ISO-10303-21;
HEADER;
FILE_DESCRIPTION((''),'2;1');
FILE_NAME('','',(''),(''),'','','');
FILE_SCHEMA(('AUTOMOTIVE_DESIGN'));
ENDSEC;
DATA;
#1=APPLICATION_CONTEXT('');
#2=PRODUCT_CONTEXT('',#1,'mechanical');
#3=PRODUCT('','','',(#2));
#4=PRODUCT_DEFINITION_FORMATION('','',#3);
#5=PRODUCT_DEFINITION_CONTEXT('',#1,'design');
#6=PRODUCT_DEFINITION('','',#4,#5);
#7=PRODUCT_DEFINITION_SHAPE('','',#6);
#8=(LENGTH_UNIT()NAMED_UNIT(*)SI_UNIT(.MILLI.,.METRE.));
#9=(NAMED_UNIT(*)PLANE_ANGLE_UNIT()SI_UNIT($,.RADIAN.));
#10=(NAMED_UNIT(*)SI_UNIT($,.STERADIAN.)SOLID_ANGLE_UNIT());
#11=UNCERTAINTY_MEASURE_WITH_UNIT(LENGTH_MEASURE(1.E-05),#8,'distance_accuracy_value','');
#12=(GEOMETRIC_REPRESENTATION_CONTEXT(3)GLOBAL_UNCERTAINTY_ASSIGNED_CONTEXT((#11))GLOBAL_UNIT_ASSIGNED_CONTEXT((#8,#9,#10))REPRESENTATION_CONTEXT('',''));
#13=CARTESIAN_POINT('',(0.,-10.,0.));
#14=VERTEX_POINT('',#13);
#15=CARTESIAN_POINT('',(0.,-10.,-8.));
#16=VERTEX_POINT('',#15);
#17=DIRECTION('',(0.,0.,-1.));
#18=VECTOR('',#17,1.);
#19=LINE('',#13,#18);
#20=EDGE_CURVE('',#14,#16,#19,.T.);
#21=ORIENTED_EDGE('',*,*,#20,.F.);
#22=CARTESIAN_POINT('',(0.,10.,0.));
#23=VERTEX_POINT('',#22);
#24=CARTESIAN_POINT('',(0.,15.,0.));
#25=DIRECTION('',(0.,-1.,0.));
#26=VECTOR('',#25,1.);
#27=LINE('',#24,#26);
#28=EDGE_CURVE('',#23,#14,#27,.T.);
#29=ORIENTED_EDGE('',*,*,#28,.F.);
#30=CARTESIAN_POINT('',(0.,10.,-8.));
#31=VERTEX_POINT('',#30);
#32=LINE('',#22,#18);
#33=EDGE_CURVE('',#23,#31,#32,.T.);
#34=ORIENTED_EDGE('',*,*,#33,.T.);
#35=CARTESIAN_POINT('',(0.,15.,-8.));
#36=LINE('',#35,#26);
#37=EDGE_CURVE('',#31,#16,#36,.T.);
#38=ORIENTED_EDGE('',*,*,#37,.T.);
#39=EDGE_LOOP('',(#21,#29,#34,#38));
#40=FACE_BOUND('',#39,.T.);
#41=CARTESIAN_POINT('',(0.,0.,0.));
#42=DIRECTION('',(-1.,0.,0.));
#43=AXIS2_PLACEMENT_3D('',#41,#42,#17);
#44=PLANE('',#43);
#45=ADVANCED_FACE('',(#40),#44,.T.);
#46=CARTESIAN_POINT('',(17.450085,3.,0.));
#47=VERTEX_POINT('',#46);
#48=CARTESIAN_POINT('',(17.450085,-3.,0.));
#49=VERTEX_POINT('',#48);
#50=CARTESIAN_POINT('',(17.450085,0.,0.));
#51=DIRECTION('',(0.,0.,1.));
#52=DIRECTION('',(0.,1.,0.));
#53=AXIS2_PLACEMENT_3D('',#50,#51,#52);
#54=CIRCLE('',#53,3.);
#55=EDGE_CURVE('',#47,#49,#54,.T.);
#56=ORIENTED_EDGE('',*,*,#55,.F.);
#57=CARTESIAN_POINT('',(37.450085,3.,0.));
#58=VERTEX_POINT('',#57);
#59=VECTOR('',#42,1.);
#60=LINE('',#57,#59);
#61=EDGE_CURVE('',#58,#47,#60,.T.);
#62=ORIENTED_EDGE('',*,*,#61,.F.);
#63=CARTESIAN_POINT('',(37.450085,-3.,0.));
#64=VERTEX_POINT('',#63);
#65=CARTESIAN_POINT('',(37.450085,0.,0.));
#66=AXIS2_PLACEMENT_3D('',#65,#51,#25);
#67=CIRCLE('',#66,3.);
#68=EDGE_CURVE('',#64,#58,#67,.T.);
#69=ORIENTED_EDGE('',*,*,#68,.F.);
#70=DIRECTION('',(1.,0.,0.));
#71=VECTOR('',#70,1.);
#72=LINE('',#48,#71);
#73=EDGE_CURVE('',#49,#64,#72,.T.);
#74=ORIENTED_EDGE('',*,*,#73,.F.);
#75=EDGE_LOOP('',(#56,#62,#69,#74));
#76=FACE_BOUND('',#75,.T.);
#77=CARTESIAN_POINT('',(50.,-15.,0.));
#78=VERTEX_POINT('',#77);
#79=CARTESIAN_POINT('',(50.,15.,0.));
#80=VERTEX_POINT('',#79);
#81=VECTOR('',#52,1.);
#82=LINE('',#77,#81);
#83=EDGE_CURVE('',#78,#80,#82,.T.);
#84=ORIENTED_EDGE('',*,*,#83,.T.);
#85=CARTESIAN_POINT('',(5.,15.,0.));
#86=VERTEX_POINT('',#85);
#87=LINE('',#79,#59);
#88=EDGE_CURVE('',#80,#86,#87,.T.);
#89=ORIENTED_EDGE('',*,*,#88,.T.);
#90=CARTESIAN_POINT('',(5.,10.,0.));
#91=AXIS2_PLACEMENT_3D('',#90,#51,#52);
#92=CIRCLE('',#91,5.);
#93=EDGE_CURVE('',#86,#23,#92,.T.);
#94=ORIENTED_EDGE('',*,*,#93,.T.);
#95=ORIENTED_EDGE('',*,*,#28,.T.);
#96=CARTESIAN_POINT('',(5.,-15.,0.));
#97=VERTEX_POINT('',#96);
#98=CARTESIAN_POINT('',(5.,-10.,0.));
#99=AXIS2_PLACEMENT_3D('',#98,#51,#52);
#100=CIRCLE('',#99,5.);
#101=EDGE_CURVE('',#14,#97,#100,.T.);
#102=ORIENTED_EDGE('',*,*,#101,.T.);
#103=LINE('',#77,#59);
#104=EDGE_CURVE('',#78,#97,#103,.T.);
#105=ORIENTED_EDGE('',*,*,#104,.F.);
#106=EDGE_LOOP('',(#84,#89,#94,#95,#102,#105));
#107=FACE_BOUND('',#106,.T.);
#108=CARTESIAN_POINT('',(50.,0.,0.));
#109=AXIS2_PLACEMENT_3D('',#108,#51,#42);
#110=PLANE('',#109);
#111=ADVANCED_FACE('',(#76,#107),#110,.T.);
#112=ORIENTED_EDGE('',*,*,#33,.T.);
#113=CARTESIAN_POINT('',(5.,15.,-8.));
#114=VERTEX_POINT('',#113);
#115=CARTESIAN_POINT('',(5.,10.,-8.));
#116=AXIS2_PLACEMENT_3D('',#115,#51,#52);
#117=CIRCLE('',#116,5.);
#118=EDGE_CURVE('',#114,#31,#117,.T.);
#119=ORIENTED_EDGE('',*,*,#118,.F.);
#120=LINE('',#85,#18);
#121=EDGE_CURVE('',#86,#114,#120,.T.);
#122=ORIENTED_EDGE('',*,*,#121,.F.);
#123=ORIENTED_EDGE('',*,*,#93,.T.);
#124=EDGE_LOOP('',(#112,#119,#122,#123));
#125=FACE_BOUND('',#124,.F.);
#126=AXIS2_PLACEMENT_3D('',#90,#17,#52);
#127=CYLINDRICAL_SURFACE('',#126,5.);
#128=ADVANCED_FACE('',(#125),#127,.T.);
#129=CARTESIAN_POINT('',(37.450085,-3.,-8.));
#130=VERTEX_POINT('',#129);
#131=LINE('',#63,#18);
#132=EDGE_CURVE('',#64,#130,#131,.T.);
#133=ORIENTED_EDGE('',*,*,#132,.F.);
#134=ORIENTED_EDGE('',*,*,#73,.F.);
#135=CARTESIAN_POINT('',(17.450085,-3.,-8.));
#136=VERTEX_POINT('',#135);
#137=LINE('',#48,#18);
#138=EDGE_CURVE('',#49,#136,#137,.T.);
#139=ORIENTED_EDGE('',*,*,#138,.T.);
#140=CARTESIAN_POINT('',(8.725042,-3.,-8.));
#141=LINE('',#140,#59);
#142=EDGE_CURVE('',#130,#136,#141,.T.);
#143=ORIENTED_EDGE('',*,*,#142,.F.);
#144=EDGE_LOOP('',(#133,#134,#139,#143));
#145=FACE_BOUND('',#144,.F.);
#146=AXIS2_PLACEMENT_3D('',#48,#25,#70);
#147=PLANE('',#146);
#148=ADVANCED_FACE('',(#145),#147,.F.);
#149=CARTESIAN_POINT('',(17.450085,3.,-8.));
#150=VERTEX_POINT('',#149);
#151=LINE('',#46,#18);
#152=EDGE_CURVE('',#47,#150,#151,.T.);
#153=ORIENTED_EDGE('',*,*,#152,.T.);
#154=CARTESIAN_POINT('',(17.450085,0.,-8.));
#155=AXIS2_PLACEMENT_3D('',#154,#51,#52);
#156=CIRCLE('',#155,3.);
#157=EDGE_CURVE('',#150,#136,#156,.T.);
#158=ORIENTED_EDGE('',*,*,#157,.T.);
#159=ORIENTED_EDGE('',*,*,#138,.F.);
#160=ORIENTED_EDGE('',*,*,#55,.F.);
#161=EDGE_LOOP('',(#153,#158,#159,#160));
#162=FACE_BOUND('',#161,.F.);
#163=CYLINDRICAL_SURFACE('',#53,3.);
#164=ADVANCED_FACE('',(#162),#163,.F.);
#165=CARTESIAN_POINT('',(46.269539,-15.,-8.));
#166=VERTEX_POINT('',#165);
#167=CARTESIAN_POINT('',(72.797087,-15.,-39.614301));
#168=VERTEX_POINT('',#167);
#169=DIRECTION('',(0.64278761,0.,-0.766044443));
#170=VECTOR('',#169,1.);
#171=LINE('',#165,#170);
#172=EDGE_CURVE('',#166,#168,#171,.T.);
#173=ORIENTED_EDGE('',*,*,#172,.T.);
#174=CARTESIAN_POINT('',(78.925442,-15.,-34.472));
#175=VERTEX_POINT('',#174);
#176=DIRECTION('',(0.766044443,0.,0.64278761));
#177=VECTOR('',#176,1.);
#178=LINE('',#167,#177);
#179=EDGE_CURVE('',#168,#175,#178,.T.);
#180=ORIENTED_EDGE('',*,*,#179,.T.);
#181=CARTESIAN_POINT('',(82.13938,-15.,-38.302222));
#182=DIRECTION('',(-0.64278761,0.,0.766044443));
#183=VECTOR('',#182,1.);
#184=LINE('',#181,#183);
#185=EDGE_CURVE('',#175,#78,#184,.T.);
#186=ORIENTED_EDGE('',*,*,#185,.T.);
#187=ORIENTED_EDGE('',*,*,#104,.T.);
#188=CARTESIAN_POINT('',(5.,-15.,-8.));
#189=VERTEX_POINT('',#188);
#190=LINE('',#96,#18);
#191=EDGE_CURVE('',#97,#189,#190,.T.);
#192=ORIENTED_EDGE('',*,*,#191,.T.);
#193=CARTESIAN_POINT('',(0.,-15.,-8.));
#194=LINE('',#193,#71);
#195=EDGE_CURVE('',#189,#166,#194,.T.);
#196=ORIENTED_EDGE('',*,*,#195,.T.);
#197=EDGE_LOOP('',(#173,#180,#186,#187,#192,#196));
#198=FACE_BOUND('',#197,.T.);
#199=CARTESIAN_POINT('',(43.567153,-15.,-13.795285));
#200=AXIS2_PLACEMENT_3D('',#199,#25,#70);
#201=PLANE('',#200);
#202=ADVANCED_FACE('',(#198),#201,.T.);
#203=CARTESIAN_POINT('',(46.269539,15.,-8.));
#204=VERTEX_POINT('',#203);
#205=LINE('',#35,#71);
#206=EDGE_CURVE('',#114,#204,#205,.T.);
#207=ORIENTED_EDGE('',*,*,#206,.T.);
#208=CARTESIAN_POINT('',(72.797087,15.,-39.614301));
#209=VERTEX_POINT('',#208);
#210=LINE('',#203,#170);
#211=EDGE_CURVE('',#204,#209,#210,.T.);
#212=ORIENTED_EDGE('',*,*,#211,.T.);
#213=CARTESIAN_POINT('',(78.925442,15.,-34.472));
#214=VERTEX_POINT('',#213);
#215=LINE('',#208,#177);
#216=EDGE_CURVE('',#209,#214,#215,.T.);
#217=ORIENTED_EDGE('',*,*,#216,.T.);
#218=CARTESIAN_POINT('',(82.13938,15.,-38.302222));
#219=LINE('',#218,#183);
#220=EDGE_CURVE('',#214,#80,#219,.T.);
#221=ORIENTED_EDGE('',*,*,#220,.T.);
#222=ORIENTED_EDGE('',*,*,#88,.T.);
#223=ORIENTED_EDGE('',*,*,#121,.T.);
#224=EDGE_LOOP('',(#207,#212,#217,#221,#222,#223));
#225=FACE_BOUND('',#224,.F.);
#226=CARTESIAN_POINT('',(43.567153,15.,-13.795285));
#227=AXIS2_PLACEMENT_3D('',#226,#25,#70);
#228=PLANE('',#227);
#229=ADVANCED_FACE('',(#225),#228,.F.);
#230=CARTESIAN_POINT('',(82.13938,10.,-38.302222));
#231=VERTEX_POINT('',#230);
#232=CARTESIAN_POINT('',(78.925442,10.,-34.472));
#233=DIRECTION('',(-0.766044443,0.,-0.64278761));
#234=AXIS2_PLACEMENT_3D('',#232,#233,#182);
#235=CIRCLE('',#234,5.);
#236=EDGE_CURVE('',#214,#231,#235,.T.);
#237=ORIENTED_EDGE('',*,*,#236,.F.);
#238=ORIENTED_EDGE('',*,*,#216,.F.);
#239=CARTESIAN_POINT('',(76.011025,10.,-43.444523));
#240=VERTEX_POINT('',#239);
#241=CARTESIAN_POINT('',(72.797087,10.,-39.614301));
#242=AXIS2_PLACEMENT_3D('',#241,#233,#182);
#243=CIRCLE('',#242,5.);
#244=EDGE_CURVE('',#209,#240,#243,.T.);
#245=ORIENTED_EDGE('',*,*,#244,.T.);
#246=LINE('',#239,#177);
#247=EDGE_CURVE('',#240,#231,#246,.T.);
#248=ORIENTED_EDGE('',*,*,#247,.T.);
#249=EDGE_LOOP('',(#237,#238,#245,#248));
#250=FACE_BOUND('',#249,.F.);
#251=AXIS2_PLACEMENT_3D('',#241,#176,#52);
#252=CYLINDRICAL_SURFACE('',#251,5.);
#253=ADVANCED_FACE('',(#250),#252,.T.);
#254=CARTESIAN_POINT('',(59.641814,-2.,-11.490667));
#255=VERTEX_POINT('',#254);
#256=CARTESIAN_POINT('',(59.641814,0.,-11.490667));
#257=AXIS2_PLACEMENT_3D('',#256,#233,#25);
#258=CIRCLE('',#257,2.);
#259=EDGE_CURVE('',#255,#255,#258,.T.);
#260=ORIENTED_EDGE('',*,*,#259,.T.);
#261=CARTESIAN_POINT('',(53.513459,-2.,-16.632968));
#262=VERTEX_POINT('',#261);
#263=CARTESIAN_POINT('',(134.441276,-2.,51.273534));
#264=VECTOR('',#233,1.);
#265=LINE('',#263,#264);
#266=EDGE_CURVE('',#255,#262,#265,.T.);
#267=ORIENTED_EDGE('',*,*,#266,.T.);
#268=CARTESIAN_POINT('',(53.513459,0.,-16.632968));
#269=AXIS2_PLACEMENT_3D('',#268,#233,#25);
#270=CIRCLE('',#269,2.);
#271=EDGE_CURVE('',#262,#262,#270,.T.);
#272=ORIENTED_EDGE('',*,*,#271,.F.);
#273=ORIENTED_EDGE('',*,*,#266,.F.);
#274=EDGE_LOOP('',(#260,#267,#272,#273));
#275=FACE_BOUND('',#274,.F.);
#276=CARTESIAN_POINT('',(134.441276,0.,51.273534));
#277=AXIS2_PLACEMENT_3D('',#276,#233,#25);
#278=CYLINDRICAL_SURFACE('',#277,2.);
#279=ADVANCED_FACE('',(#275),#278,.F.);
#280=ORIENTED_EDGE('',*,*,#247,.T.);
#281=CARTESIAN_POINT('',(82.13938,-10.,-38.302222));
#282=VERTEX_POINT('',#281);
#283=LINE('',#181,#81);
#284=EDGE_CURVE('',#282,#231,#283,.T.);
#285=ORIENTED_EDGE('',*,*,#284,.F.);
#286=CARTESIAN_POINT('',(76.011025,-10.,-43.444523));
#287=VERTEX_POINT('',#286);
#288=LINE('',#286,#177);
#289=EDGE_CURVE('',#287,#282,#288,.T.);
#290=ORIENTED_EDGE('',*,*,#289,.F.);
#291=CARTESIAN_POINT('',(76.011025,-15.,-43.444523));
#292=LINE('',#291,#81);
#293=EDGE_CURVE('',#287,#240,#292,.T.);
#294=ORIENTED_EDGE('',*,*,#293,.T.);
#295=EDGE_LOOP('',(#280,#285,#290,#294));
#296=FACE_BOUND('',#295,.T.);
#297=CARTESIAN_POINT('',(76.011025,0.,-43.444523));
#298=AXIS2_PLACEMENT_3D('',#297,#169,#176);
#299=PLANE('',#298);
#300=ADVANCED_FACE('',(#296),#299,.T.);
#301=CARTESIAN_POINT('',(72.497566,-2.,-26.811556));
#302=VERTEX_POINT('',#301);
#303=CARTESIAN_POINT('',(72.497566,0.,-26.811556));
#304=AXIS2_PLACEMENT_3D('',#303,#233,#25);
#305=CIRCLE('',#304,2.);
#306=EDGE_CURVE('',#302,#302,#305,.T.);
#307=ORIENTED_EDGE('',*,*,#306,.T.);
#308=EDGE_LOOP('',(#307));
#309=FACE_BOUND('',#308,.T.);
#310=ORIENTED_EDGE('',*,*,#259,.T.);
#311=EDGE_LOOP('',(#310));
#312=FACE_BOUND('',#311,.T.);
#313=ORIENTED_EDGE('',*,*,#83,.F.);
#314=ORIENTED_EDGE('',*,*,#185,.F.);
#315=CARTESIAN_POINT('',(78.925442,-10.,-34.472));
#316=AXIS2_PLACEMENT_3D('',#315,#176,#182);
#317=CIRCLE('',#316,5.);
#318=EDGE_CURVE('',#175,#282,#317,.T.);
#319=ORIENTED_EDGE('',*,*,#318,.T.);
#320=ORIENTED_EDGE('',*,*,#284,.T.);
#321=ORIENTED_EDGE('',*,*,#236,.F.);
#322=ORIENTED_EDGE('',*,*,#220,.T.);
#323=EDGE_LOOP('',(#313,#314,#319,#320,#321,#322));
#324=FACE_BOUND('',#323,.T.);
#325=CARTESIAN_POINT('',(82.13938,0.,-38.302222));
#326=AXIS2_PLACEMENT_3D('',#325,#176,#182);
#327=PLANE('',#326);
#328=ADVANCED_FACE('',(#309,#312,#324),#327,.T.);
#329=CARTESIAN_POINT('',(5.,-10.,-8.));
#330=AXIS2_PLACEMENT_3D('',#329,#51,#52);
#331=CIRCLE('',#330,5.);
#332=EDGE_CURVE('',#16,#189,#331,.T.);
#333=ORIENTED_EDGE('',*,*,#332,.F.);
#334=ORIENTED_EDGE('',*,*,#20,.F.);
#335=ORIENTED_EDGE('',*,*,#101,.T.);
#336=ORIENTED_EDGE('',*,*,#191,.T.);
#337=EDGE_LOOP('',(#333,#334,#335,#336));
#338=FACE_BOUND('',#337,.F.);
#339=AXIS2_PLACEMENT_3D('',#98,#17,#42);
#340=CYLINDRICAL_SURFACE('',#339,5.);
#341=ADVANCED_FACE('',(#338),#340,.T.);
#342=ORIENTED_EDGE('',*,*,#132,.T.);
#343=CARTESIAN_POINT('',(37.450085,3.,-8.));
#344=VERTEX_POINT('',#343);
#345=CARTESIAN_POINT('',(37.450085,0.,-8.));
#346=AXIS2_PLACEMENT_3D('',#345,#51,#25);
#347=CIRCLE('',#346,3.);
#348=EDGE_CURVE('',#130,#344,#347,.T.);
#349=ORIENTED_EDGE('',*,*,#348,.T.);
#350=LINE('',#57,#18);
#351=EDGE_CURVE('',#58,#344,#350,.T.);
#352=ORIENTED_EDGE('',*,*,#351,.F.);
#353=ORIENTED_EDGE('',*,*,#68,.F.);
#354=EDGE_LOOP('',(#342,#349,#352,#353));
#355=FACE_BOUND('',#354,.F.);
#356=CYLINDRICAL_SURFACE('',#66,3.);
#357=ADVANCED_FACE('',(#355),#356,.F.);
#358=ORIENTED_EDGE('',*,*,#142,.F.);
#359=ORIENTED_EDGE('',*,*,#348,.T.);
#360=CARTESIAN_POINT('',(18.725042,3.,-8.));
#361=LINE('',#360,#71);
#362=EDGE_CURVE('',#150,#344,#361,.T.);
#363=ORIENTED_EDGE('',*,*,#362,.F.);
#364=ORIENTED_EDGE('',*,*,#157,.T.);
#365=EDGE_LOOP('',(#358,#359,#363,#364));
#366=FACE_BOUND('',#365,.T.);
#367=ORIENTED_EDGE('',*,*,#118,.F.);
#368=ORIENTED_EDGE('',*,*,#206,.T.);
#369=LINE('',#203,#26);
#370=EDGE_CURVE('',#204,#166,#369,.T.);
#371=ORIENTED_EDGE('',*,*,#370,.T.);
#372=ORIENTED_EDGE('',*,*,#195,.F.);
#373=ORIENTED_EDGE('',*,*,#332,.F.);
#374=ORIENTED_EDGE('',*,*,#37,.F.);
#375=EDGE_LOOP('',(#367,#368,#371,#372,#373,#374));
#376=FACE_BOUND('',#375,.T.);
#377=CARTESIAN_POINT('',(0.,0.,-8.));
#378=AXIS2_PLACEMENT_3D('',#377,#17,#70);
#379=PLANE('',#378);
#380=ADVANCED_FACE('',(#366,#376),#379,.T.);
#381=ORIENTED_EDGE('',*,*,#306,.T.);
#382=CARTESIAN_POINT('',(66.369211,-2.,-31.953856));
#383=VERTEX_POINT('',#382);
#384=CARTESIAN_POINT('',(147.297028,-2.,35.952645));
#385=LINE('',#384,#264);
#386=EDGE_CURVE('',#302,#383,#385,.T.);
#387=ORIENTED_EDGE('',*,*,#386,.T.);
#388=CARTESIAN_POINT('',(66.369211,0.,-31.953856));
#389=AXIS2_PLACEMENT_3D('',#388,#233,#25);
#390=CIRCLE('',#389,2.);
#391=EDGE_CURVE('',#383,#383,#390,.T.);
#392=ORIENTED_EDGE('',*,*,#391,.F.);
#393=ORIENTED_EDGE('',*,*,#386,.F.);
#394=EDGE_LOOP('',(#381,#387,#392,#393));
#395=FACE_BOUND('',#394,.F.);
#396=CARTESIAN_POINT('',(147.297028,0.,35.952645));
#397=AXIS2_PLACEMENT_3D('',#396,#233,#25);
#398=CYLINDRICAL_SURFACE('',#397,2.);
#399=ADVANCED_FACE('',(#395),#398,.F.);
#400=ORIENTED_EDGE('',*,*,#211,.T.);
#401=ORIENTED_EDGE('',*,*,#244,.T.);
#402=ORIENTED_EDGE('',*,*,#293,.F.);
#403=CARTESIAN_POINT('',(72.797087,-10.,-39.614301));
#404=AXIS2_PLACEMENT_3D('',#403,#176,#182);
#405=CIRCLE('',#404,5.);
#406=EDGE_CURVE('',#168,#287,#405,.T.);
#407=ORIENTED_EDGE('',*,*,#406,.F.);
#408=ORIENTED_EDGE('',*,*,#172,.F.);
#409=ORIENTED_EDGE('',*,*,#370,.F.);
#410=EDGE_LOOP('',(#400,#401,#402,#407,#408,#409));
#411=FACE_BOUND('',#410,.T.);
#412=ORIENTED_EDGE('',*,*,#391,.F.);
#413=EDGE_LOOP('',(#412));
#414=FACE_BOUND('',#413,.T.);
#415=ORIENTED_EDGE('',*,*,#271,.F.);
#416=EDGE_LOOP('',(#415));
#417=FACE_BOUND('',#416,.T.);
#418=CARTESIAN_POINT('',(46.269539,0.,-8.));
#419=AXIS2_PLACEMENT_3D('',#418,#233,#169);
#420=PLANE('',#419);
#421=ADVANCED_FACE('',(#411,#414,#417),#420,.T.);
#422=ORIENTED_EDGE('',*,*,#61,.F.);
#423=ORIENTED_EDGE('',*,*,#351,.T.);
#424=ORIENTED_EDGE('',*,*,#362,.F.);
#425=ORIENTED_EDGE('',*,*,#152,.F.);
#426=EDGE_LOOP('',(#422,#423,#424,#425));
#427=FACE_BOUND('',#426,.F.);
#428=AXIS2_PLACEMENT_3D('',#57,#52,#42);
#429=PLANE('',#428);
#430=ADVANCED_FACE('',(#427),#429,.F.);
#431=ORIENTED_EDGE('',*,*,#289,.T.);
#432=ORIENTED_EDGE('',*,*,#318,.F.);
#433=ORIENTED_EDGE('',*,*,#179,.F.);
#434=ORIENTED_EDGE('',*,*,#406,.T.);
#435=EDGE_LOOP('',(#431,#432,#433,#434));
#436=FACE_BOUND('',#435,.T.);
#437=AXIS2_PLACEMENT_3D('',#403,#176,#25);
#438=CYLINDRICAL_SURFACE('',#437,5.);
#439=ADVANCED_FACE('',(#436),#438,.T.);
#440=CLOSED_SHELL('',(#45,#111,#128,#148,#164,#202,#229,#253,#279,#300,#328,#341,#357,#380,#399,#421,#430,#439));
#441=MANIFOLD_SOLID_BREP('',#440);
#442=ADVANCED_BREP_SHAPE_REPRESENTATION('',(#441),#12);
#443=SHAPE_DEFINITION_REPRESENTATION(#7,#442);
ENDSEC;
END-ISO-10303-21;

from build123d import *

# Parameters (mm, degrees)
F1_DEPTH = 15
F3_DEPTH = 43.4455230334
F5_D     = 4
F6_R     = 5


with BuildPart() as f1:
    # F0 (on Front) → F1 (new body, symmetric)
    with BuildSketch(Plane.XZ):
        Polygon((50, 0), (0, 0), (0, -8), (46.2695387348, -8), (76.0110249394, -43.4445230334), (82.1393804843, -38.3022221559), align=None)
    extrude(amount=F1_DEPTH, both=True)

    # F2 (on face) → F3 (cut, through all)
    with BuildSketch(Plane.XY):
        with BuildLine():
            ThreePointArc((17.4500849098, 3), (14.4500849098, 0), (17.4500849098, -3))
            Line((17.4500849098, -3), (37.4500849098, -3))
            ThreePointArc((37.4500849098, -3), (40.4500849098, 0), (37.4500849098, 3))
            Line((37.4500849098, 3), (17.4500849098, 3))
        make_face()
    extrude(amount=-F3_DEPTH, mode=Mode.SUBTRACT)

    # F5 (through all)
    with Locations(Plane(origin=(29.3412044417, 0, 24.6201938253), x_dir=(0, 1, 0), z_dir=(0.7660444431, 0, 0.6427876097))):
        with Locations((0, -47.1393804843), (0, -67.1393804843)):
            Hole(F5_D / 2)

    # F6
    f6_edges = [f1.edges().sort_by_distance(p)[0] for p in [
        (79.075203, -15, -40.873373),
        (79.075203, 15, -40.873373),
        (0, 15, -4),
        (0, -15, -4),
    ]]
    fillet(f6_edges, radius=F6_R)


solid = f1.part
